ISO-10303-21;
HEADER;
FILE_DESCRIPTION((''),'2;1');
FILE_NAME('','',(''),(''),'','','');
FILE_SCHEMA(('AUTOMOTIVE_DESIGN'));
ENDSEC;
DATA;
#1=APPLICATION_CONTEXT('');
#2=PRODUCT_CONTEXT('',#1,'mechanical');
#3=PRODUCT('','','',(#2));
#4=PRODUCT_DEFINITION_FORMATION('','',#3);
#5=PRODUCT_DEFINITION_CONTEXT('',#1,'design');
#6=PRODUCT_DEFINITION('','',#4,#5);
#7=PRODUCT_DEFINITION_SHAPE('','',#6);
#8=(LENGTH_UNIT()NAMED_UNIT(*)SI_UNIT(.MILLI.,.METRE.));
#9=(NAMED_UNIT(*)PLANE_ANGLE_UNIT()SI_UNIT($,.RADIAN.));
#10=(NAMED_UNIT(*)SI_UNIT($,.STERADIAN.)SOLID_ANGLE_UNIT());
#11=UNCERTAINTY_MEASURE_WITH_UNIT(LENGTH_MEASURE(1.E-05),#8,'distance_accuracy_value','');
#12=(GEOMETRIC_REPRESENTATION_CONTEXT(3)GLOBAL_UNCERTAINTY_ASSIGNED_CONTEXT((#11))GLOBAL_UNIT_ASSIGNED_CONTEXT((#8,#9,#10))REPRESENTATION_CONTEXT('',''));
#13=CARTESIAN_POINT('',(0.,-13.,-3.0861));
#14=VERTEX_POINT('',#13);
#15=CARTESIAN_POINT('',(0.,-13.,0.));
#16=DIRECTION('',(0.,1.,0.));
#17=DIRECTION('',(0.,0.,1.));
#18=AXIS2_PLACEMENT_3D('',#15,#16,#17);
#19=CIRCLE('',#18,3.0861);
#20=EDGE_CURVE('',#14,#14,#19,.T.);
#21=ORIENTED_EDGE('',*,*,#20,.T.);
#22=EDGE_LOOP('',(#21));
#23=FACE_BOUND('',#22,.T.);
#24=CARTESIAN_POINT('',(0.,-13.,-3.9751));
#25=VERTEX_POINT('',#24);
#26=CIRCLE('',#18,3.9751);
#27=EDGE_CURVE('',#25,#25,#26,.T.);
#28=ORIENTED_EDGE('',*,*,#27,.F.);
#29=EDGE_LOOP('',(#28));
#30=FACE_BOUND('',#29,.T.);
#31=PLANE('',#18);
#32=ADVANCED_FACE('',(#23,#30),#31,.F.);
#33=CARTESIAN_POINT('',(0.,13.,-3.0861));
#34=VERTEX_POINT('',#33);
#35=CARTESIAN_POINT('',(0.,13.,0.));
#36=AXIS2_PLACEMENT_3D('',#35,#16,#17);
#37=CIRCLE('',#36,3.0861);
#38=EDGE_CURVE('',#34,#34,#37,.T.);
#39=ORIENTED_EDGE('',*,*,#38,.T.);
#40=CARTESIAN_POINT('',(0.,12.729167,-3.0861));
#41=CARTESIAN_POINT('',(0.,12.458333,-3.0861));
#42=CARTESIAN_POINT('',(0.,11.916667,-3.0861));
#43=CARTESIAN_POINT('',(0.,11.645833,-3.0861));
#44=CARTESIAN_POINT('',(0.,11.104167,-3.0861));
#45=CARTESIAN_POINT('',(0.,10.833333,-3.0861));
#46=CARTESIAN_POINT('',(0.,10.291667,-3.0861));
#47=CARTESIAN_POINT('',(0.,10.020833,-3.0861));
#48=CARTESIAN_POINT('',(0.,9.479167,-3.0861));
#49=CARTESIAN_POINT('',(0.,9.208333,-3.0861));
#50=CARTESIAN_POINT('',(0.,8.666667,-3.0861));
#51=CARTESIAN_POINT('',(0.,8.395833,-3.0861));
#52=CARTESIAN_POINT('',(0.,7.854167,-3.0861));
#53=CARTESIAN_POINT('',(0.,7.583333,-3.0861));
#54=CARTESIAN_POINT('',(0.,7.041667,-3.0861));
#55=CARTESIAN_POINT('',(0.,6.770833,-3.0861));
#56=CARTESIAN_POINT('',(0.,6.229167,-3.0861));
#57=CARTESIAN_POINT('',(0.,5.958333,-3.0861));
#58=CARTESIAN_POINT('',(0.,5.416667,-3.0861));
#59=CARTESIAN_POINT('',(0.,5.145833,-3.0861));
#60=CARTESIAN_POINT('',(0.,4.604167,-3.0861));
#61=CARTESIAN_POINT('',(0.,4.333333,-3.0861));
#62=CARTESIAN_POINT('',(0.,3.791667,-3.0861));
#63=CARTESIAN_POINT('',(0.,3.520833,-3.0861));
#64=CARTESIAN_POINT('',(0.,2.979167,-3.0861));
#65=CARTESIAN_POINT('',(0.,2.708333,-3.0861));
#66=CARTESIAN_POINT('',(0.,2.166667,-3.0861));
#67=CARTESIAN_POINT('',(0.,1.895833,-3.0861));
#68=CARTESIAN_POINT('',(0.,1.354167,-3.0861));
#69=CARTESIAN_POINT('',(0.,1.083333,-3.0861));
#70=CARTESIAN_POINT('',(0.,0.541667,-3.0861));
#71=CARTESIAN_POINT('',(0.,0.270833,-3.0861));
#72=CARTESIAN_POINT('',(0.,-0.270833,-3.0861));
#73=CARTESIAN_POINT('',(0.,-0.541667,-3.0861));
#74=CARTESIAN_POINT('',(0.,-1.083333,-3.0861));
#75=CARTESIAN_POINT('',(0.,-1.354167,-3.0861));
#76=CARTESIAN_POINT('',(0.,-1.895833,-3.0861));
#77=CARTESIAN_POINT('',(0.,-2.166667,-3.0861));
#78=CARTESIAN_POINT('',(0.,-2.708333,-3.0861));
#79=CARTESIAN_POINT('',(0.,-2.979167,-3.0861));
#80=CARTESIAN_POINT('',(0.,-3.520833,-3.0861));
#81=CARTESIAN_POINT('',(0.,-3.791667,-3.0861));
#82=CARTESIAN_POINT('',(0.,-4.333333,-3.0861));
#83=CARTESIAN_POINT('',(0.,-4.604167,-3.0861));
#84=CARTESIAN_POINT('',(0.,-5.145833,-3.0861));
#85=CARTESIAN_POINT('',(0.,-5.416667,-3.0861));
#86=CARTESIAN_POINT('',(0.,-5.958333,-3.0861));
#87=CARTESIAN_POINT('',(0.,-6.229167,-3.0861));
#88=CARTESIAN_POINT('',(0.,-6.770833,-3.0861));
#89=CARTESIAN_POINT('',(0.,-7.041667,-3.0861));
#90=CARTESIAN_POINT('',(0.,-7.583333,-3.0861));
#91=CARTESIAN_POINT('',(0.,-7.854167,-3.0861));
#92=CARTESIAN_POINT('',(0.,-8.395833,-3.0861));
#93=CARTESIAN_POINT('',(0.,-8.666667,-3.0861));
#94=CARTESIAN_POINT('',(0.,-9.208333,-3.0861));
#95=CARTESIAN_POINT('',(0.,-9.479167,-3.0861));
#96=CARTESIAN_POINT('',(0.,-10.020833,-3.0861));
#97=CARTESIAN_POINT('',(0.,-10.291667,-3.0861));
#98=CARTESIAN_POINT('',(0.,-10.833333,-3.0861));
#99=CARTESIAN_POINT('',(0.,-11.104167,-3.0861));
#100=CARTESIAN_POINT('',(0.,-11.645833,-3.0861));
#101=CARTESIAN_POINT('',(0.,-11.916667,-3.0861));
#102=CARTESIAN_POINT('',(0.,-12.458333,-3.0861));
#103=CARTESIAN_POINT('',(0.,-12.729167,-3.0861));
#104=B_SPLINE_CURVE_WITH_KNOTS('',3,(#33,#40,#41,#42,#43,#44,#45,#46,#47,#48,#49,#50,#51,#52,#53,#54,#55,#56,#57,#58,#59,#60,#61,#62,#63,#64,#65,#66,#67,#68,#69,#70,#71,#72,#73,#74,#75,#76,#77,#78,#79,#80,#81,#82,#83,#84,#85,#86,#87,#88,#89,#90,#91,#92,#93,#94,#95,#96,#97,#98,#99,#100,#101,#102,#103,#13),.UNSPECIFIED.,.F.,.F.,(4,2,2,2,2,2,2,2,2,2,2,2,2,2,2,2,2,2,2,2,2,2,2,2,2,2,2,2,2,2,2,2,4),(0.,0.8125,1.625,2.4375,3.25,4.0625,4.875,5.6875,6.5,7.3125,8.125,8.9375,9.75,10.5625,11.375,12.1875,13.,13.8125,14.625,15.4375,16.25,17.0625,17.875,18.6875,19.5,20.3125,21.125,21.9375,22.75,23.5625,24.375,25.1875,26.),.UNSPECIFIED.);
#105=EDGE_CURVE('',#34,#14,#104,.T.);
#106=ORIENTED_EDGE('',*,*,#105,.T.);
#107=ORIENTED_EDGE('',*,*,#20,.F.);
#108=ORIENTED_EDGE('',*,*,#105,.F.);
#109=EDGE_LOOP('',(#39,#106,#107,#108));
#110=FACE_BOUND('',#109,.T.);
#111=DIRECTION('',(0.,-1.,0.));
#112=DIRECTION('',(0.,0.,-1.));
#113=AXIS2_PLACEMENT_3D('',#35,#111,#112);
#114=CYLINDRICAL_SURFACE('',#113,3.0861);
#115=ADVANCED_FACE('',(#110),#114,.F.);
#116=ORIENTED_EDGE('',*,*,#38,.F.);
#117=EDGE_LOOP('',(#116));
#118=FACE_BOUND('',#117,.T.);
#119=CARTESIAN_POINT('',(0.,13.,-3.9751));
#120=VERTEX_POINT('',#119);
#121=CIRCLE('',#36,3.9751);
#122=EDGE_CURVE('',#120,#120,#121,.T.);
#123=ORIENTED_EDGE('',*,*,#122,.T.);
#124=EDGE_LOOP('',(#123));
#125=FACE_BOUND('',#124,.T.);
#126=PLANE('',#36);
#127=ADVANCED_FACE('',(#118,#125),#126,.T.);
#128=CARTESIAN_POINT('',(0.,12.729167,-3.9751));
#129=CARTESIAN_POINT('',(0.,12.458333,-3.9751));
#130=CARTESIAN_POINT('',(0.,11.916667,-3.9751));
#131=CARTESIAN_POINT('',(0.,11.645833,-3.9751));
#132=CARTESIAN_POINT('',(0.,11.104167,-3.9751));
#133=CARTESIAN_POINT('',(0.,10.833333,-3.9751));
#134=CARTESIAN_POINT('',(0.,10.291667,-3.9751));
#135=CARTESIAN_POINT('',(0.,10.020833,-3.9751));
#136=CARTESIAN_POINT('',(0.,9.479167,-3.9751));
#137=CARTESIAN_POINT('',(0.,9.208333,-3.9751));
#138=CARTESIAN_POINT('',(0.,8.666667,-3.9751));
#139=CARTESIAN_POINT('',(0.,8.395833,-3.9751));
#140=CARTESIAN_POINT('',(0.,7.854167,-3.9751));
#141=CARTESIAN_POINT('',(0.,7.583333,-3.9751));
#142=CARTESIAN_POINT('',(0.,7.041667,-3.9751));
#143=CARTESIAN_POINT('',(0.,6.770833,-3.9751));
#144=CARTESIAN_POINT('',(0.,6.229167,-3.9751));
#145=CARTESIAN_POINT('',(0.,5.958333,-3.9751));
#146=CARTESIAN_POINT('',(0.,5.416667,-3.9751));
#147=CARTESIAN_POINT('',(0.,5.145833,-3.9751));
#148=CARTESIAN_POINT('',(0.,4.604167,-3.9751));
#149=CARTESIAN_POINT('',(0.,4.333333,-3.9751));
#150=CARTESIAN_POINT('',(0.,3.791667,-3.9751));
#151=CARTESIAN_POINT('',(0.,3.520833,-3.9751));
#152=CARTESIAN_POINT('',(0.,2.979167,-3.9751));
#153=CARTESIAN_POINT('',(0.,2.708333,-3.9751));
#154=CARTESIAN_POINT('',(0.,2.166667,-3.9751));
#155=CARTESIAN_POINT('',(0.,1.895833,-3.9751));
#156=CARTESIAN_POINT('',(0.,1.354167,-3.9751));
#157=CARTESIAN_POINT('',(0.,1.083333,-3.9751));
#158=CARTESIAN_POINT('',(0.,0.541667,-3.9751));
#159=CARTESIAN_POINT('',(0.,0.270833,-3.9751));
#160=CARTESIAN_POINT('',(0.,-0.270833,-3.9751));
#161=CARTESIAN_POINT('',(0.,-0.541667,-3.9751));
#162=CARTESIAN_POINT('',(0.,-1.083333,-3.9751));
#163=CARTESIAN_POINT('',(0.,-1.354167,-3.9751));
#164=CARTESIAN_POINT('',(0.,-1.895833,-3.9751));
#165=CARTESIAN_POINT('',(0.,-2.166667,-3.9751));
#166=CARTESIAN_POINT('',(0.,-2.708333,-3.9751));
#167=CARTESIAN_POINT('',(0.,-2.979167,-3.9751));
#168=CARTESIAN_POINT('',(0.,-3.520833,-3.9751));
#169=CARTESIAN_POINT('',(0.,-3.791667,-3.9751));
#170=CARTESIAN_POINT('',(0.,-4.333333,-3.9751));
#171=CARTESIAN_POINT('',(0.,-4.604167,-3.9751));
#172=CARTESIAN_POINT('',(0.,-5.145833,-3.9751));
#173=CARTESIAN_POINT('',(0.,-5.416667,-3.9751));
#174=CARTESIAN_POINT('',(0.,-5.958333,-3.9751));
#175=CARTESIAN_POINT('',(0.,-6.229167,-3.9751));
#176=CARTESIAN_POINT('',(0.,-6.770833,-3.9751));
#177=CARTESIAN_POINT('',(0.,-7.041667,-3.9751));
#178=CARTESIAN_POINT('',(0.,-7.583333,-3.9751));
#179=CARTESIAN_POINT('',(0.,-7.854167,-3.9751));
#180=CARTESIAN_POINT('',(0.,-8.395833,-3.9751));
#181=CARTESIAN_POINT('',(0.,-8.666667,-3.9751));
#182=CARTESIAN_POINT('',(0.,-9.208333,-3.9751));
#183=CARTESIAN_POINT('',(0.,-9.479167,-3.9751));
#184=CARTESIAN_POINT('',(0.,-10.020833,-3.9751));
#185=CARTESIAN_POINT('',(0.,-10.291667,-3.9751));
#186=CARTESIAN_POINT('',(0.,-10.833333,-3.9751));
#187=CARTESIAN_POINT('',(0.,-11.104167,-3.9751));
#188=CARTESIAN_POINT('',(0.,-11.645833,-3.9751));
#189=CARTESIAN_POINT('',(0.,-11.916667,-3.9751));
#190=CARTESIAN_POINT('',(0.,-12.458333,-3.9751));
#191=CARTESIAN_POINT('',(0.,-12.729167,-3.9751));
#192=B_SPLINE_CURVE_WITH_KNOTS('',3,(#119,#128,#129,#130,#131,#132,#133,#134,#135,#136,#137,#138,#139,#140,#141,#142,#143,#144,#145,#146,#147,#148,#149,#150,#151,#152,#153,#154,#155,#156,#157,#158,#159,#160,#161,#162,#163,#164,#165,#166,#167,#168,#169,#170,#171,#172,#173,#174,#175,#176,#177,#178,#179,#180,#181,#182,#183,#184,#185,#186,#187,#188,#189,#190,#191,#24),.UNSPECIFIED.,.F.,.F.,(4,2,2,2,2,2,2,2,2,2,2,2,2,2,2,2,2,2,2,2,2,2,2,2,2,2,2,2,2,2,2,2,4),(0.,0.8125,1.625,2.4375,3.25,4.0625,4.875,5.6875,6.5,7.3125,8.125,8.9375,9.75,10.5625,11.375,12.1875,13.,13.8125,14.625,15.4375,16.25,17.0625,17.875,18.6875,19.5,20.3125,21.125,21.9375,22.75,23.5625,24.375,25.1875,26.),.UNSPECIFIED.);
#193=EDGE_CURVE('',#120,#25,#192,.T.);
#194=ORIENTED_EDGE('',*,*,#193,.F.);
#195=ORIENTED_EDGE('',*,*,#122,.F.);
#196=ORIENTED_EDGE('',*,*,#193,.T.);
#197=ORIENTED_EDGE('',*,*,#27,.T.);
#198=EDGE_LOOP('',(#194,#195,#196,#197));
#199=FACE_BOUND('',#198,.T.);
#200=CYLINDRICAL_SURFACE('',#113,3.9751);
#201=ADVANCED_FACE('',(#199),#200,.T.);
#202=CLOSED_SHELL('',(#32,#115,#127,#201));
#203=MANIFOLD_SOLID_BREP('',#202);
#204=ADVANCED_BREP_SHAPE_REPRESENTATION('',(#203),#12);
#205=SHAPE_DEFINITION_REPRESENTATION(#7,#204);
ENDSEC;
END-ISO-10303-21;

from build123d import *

# Parameters (mm, degrees)
SKETCH1_R           = 3.9751
SKETCH1_R_2         = 3.0861
BOSS_EXTRUDE1_DEPTH = 13


with BuildPart() as part:
    # Sketch1 → Boss-Extrude1 (new, symmetric)
    with BuildSketch(Plane(origin=(0, 0, 0), x_dir=(1, 0, 0), z_dir=(0, 1, 0))):
        with Locations(Location((0, 0, 0), (0, 0, 90))):
            Circle(SKETCH1_R)
        with Locations(Location((0, 0, 0), (0, 0, 90))):
            Circle(SKETCH1_R_2, mode=Mode.SUBTRACT)
    extrude(amount=BOSS_EXTRUDE1_DEPTH, both=True)


solid = part.part
